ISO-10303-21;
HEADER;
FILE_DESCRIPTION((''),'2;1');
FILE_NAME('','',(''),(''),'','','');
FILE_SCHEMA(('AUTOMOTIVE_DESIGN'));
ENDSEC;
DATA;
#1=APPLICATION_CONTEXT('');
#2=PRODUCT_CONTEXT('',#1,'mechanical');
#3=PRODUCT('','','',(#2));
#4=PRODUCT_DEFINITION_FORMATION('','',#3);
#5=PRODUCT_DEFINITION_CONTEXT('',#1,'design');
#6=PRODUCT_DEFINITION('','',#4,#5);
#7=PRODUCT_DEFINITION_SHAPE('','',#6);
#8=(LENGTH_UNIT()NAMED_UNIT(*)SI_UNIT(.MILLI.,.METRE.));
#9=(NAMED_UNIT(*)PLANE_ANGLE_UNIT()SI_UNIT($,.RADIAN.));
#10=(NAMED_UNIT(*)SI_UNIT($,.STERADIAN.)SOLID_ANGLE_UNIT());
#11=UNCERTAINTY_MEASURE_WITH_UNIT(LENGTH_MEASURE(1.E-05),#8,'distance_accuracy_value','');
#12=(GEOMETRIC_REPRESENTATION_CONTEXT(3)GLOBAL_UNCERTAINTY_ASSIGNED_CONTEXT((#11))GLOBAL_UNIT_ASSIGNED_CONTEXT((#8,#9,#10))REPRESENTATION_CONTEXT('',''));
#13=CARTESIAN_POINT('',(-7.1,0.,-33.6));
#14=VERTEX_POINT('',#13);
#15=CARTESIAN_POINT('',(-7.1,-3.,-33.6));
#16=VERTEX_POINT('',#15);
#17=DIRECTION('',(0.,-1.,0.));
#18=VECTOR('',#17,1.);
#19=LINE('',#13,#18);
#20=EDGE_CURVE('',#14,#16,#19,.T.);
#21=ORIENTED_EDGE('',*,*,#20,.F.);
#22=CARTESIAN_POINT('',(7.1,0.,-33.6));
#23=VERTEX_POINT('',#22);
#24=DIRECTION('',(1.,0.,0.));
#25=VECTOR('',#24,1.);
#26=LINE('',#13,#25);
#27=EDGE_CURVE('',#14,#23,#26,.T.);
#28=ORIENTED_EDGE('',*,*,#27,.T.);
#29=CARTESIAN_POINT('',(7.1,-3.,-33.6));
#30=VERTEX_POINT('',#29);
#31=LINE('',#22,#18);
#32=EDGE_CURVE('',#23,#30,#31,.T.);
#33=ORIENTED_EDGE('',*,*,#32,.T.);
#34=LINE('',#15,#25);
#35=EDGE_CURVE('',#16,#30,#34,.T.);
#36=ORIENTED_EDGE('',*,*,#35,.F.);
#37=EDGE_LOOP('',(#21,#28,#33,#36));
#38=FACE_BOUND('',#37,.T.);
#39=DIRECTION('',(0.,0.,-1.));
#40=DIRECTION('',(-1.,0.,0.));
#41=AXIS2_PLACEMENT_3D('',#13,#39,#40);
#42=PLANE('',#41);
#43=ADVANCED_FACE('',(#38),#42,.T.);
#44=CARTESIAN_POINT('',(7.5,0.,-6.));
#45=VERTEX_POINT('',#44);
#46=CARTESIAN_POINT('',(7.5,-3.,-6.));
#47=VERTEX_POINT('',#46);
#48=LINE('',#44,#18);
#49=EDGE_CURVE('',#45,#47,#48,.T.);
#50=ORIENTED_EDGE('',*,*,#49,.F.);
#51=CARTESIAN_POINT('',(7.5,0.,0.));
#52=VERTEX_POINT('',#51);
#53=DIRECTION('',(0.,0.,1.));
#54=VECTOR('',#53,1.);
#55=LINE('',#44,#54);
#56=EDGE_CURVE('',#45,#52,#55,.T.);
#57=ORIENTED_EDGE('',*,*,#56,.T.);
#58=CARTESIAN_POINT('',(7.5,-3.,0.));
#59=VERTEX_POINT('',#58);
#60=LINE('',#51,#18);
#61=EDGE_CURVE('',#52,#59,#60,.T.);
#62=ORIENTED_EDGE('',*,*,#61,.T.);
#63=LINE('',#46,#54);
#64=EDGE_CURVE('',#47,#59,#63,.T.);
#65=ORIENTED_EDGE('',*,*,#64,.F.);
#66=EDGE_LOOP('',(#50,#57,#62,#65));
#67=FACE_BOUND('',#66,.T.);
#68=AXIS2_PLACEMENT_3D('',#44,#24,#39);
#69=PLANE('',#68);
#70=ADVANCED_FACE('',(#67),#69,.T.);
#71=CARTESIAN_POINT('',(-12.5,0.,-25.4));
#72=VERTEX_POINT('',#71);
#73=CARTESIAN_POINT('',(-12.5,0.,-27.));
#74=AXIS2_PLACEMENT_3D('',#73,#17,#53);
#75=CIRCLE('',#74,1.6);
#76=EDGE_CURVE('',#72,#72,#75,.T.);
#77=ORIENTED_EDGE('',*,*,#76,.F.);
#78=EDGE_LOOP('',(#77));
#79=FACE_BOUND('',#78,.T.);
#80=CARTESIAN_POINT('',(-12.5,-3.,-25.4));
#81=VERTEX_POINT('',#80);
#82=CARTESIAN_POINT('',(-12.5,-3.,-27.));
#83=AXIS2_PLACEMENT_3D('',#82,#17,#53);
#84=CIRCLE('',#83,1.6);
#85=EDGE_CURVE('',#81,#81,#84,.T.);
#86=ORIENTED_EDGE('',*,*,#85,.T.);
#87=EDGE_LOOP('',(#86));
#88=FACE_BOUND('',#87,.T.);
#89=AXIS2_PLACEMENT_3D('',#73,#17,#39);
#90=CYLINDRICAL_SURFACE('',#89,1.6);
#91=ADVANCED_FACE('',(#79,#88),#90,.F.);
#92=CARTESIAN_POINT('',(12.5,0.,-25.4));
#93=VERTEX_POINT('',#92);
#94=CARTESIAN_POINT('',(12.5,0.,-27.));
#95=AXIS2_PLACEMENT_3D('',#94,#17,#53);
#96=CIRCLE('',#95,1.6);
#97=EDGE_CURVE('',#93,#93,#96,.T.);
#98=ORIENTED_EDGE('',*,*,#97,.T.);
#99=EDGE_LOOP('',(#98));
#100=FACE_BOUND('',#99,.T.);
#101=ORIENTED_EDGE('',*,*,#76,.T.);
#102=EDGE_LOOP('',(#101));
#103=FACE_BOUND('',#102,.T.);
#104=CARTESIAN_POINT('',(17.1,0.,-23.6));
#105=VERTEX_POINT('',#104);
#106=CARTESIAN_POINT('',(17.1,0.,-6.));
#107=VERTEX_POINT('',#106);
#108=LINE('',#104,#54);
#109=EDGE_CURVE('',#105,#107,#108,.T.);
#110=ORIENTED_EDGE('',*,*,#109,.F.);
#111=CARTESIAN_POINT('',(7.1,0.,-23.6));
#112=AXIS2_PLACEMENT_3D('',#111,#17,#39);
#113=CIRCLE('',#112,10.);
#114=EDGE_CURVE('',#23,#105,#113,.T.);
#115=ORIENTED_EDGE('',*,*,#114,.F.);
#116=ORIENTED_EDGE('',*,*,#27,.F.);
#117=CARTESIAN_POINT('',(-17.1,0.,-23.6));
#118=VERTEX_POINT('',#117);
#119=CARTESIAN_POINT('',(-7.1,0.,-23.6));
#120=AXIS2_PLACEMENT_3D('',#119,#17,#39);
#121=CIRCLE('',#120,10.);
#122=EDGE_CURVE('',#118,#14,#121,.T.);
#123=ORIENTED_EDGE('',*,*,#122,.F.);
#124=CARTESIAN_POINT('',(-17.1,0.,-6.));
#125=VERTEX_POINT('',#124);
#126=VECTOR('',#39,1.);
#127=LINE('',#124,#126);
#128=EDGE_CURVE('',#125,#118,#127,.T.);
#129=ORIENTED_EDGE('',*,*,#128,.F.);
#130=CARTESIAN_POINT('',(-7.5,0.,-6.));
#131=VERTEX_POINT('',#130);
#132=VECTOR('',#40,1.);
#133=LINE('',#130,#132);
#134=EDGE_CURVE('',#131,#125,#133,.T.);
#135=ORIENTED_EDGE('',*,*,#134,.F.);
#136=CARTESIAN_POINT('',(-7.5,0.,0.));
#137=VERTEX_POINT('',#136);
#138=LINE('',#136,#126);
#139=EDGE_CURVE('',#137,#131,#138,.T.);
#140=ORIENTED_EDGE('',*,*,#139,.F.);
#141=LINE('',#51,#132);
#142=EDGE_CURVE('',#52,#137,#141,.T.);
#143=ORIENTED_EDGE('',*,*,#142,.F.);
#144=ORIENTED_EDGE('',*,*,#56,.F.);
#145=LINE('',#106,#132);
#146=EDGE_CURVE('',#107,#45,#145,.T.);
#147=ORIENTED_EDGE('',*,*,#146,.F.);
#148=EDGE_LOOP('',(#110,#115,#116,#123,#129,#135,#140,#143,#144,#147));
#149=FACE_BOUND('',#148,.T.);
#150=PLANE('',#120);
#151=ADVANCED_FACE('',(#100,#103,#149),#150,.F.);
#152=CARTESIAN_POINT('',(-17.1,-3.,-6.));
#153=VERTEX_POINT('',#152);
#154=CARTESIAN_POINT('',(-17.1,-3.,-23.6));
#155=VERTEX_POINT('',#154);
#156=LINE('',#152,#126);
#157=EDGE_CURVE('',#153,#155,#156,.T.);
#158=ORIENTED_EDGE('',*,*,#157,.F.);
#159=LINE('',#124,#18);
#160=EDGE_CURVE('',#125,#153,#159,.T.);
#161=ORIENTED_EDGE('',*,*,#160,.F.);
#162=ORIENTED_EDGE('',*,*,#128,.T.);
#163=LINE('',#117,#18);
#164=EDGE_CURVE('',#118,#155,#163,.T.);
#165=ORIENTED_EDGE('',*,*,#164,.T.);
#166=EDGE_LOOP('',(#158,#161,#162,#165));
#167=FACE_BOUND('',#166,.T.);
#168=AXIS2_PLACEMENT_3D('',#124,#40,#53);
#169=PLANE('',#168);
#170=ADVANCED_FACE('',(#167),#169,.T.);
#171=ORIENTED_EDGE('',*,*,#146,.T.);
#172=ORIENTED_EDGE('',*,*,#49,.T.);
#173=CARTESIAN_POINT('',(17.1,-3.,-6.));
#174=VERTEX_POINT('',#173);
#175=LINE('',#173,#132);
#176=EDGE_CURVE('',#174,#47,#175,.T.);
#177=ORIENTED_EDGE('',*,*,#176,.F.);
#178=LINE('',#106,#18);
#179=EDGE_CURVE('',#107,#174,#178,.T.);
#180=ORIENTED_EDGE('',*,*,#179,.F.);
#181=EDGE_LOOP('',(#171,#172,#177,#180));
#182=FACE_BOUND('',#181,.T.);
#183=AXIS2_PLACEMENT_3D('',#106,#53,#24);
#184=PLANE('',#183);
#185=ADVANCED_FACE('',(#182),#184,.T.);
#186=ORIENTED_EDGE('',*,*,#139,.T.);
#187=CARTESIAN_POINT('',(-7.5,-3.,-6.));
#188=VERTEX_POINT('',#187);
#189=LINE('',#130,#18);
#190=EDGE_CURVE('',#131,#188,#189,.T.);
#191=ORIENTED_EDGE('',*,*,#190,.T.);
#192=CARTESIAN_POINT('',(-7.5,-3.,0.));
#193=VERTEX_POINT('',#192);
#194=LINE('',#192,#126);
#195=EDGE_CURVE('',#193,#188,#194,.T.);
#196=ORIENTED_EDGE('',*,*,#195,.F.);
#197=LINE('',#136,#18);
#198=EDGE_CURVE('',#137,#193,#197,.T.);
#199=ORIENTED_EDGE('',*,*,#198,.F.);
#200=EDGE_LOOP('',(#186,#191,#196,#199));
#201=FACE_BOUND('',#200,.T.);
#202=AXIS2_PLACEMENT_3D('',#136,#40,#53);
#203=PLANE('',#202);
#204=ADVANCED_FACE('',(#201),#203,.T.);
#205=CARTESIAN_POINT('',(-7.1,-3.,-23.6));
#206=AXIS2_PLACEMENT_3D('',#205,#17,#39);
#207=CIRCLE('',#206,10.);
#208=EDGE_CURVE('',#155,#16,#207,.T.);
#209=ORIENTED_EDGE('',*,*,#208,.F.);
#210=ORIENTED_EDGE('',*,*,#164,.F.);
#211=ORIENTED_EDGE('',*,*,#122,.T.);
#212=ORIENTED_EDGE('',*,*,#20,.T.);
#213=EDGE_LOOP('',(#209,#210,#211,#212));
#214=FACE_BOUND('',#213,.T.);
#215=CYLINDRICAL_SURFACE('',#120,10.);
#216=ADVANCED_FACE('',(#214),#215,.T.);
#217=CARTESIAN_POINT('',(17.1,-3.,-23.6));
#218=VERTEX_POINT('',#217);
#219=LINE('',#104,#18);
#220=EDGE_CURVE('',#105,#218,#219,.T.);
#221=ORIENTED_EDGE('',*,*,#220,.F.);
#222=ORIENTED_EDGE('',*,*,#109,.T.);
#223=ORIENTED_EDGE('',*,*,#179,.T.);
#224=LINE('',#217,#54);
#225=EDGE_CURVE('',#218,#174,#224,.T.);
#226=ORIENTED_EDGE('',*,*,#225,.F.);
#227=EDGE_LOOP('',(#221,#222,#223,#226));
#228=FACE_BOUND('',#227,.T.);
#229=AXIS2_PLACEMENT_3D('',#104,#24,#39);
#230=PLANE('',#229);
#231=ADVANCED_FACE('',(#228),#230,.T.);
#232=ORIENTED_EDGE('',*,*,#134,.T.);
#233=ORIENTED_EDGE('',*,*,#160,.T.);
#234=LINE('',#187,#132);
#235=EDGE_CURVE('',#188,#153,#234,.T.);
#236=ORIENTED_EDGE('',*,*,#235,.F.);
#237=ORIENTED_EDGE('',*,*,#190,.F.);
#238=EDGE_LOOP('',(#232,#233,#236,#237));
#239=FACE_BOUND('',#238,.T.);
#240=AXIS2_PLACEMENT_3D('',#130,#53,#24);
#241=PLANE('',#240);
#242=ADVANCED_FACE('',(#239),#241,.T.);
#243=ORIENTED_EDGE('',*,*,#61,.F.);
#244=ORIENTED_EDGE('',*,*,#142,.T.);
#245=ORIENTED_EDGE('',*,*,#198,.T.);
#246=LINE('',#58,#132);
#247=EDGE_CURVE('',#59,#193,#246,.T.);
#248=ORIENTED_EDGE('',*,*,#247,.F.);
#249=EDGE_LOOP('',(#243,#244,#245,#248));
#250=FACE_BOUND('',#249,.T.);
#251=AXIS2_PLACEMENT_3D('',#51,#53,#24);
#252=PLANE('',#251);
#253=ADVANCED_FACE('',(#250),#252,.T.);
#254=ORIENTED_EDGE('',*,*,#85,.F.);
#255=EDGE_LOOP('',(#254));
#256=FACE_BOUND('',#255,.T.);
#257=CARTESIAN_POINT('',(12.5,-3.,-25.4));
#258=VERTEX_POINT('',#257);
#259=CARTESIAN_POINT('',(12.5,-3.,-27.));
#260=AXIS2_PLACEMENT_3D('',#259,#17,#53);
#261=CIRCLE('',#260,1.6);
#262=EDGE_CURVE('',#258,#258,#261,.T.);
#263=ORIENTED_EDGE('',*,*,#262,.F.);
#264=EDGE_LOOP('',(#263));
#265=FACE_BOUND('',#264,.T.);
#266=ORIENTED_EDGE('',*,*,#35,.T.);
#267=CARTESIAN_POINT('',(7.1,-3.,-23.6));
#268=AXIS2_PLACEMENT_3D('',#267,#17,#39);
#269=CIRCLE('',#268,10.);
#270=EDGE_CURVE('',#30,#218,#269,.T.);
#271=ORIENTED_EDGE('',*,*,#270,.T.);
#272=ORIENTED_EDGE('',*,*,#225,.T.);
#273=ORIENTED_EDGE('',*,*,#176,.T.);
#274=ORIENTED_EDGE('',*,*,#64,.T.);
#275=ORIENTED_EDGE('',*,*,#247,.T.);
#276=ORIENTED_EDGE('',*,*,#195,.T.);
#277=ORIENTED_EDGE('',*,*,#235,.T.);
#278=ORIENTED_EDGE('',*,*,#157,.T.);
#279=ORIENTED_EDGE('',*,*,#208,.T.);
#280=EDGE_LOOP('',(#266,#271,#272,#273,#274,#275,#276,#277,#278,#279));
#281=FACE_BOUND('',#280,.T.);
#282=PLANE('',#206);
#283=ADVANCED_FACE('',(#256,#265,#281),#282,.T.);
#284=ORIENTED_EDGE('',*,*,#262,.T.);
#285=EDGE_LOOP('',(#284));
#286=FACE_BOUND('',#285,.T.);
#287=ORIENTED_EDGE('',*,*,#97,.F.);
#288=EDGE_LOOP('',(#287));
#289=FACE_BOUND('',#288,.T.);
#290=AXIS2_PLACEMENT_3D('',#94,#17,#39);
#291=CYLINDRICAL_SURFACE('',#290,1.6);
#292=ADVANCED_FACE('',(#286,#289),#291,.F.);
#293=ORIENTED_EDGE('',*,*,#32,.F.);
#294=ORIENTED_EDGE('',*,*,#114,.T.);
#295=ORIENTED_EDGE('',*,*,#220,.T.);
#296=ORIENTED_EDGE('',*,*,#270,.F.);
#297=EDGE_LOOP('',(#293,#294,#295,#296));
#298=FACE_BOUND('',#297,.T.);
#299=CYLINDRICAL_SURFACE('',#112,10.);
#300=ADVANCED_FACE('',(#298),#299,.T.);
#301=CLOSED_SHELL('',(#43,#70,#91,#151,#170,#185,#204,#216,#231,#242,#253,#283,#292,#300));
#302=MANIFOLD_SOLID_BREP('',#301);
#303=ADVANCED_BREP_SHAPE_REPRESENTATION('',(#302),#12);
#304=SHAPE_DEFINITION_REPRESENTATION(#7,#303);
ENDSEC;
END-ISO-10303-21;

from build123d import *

# Parameters (mm, degrees)
ESBO_O1_R                = 1.6
RESSALTO_EXTRUS_O1_DEPTH = 3


with BuildPart() as part:
    # Esboço1 → Ressalto-extrusão1 (new body)
    with BuildSketch(Plane.XZ.offset(3)):
        with BuildLine():
            Line((-7.1, -33.6), (7.1, -33.6))
            ThreePointArc((7.1, -33.6), (14.171067812, -30.671067812), (17.1, -23.6))
            Line((17.1, -23.6), (17.1, -6))
            Line((17.1, -6), (7.5, -6))
            Line((7.5, -6), (7.5, 0))
            Line((7.5, 0), (-7.5, 0))
            Line((-7.5, 0), (-7.5, -6))
            Line((-7.5, -6), (-17.1, -6))
            Line((-17.1, -6), (-17.1, -23.6))
            ThreePointArc((-17.1, -23.6), (-14.171067812, -30.671067812), (-7.1, -33.6))
        make_face()
        with Locations((-12.5, -27)):
            Circle(ESBO_O1_R, mode=Mode.SUBTRACT)
        with Locations((12.5, -27)):
            Circle(ESBO_O1_R, mode=Mode.SUBTRACT)
    extrude(amount=-RESSALTO_EXTRUS_O1_DEPTH)


solid = part.part
